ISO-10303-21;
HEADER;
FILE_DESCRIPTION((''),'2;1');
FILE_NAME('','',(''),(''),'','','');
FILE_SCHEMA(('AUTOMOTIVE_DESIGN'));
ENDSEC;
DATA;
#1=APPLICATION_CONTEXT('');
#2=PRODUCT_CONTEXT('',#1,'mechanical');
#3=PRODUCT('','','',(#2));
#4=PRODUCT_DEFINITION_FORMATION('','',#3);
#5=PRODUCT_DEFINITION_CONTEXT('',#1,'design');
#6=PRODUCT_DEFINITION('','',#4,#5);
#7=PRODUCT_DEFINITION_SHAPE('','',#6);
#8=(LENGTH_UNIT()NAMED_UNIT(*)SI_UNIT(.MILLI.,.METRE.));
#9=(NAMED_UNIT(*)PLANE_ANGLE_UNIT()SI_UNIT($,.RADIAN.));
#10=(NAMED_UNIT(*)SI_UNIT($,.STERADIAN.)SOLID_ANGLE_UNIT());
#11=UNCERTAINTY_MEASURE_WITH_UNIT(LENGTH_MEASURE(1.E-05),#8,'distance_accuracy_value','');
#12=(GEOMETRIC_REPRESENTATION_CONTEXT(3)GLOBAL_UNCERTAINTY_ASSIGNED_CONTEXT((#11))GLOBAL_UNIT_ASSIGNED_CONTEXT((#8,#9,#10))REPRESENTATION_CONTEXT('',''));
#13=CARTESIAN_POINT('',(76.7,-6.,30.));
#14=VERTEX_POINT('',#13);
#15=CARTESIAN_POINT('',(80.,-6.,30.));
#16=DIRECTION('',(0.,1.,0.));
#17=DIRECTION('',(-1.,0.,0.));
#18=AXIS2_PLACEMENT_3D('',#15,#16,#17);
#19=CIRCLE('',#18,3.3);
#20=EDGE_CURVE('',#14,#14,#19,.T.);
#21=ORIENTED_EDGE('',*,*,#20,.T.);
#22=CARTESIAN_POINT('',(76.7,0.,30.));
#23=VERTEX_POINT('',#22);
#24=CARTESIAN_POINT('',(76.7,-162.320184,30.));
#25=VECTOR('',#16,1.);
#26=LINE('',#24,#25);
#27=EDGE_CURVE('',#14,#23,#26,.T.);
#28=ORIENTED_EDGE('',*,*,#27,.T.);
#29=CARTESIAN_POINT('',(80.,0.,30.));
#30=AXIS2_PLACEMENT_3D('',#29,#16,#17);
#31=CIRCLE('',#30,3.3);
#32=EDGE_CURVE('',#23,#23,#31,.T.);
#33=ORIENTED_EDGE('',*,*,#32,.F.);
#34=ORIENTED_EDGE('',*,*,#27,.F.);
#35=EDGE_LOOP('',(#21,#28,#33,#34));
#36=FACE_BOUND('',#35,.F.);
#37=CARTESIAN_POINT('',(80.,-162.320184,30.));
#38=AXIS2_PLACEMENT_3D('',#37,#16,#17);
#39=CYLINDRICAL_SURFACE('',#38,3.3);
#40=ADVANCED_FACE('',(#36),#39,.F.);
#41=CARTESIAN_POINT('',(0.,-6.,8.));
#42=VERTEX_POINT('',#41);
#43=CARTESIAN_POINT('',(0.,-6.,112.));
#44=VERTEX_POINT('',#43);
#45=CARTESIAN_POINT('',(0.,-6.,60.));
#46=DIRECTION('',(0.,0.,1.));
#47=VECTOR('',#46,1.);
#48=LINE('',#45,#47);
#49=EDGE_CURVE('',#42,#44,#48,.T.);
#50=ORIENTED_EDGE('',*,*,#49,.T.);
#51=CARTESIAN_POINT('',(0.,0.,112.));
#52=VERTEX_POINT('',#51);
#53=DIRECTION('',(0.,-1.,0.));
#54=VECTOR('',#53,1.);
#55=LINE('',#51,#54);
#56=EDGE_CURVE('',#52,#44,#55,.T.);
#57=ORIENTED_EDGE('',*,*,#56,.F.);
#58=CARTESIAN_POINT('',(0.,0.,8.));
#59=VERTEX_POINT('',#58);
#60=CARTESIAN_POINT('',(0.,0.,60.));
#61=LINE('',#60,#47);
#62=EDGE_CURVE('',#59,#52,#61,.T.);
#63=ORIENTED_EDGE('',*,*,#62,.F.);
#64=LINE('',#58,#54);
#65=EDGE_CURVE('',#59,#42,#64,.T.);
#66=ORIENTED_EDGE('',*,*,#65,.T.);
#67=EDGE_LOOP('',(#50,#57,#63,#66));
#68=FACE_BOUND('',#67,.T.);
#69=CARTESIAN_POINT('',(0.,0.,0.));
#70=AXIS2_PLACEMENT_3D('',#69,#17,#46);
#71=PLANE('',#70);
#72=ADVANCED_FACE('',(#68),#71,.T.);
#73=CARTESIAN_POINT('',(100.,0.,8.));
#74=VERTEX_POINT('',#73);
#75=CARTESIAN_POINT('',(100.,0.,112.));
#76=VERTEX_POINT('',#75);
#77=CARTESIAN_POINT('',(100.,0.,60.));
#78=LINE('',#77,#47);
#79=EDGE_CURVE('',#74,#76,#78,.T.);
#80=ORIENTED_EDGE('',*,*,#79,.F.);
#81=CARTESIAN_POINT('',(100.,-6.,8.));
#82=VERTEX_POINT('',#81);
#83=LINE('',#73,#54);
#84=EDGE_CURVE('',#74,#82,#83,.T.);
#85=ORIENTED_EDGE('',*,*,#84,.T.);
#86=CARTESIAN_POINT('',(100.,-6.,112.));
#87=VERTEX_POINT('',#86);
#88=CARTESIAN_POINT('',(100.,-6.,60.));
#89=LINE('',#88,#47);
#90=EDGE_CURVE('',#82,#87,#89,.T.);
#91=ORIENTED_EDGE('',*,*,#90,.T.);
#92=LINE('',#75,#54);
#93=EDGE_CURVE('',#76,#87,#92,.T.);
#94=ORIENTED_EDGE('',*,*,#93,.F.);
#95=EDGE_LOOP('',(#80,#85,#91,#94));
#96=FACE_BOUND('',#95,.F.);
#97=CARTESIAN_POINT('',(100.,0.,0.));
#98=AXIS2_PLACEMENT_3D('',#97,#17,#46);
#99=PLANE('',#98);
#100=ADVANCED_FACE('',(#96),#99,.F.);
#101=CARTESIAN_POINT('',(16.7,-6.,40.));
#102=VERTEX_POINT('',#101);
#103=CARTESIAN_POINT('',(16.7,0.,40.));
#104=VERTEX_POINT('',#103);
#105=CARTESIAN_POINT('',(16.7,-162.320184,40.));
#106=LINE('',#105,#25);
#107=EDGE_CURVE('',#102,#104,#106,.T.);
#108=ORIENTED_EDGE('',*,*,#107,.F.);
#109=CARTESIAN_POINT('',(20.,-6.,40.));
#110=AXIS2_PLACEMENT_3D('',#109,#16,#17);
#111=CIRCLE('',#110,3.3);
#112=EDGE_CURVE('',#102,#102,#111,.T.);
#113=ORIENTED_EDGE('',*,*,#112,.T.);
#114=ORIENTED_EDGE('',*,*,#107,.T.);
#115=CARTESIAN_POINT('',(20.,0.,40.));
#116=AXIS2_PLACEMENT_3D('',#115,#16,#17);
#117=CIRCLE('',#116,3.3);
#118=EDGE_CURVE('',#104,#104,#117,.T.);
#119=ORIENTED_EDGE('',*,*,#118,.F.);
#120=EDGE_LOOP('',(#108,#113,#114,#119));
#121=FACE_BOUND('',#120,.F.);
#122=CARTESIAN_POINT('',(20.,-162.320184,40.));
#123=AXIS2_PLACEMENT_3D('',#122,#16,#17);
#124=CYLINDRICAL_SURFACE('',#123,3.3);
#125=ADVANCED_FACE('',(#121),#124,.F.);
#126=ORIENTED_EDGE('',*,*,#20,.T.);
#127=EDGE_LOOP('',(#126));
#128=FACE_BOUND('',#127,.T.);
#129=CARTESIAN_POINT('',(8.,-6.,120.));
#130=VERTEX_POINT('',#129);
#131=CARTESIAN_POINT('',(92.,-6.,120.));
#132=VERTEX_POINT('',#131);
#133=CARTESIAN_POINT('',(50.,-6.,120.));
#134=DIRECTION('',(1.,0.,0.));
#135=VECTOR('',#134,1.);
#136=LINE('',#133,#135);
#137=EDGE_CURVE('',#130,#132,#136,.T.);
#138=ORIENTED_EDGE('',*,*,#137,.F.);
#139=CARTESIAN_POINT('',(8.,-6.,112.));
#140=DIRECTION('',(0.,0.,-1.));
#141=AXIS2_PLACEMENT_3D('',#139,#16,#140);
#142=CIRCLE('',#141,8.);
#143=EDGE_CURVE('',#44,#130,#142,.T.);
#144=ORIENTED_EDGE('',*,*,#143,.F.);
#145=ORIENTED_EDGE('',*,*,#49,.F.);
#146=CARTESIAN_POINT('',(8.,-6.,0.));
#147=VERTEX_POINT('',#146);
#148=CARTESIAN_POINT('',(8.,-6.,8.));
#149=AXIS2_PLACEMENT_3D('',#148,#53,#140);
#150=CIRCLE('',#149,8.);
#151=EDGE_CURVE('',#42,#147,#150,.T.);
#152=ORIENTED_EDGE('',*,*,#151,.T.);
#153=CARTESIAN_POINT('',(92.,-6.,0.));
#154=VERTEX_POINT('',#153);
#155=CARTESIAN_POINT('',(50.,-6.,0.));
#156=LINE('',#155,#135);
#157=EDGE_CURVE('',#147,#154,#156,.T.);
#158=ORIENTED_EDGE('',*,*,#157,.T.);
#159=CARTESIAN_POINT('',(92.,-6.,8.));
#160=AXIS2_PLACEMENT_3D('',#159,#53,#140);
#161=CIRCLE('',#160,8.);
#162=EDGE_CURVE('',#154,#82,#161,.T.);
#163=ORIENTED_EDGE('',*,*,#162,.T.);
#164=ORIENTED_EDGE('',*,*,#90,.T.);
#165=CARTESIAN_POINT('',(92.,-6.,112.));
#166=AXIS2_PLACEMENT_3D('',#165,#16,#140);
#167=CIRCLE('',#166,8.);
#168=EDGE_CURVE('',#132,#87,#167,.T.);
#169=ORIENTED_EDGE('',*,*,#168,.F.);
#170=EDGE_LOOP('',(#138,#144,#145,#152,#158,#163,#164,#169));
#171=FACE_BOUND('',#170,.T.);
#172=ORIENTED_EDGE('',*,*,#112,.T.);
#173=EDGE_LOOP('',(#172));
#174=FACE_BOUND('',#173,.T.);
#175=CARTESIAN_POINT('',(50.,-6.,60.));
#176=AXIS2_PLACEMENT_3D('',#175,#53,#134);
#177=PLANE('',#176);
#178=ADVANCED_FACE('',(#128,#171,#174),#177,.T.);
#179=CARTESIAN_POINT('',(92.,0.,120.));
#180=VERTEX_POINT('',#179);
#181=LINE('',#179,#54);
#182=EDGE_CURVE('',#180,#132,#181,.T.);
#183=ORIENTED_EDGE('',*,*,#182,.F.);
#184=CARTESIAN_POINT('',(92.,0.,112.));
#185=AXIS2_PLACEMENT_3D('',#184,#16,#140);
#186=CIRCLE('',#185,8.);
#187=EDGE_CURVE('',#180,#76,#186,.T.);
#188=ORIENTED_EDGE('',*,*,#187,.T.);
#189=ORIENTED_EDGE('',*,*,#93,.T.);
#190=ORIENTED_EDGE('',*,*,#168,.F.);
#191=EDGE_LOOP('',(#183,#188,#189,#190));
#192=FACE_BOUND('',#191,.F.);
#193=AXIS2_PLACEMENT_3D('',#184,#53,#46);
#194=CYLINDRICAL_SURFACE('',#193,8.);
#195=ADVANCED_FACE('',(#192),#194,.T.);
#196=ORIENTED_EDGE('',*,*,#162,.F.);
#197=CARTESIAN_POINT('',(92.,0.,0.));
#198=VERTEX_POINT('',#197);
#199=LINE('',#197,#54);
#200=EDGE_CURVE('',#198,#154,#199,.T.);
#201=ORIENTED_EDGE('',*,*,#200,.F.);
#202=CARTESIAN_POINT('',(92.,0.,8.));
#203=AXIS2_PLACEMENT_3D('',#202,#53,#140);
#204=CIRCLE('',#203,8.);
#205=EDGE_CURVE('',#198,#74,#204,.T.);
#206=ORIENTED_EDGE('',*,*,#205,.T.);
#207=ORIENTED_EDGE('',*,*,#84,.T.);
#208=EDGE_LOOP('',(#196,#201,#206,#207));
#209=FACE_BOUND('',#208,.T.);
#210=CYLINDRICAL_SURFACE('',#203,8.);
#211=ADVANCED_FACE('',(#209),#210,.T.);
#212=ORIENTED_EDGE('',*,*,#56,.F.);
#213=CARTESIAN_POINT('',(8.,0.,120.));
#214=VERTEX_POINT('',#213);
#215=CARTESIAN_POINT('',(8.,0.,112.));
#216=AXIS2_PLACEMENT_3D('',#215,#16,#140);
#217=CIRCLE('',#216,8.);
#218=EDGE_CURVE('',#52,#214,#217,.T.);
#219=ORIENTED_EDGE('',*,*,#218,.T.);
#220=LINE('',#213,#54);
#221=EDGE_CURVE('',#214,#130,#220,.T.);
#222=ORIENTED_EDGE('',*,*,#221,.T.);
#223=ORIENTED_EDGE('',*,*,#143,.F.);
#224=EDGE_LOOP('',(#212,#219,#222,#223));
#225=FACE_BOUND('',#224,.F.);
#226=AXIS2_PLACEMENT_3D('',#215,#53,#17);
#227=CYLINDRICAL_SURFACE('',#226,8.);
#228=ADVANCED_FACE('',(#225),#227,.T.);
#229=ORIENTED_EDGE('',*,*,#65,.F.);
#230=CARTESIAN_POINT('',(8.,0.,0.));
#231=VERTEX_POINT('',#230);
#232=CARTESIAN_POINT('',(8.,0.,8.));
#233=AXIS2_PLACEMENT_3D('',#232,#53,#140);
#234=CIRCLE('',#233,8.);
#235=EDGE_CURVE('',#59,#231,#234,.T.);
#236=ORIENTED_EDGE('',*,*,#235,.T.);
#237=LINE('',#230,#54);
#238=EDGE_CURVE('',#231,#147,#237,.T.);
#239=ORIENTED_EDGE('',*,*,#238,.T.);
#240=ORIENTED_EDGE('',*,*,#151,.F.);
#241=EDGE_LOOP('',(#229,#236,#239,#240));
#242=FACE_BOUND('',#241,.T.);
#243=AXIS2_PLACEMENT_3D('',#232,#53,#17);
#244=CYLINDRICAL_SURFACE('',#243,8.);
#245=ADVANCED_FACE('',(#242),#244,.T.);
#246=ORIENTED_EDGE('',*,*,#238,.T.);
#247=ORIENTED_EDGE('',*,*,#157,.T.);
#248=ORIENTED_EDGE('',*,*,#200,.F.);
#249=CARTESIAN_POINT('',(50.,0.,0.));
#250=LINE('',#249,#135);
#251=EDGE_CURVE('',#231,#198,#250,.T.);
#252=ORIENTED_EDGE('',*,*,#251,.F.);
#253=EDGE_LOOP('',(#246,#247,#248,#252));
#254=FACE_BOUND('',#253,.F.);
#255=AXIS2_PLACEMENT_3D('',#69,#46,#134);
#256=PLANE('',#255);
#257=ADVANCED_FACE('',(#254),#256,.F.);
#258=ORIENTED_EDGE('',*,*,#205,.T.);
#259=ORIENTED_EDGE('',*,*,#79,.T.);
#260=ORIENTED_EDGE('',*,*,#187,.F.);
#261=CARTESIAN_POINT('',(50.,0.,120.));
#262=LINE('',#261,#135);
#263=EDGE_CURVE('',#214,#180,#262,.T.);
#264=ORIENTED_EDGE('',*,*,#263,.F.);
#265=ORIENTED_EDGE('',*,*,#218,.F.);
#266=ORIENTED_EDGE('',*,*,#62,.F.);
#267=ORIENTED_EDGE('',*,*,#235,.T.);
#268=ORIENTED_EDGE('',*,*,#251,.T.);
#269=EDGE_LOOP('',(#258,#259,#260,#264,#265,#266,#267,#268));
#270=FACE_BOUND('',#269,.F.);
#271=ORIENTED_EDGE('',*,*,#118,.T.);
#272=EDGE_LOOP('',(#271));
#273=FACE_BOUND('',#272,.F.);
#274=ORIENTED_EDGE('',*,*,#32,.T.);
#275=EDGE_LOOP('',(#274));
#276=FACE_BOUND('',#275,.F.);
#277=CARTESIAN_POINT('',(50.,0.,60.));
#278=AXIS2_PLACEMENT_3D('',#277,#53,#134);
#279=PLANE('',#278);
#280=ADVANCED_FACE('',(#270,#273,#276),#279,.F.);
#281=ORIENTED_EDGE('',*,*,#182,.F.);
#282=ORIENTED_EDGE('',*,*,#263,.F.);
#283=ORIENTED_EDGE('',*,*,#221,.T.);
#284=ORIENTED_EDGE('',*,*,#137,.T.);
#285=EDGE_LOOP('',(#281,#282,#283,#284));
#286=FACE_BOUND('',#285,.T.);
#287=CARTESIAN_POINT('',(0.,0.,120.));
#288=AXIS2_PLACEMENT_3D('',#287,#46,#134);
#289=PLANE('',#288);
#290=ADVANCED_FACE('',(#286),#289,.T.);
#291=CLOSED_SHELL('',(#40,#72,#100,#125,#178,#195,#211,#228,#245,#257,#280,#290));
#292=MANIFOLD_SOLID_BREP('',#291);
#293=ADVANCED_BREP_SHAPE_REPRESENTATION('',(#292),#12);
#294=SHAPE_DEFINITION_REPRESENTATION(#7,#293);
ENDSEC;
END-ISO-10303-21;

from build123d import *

# Parameters (mm, degrees)
F0_W     = 100
F0_H     = 120
F1_DEPTH = 6
F3_D     = 6.6
F4_R     = 8


with BuildPart() as f1:
    # F0 (on Front) → F1 (new body)
    with BuildSketch(Plane.XZ):
        with Locations((50, 60)):
            Rectangle(F0_W, F0_H)
    extrude(amount=F1_DEPTH)

    # F3 (through all)
    with Locations(Plane.XZ.offset(6)):
        with Locations((80, 30), (20, 40)):
            Hole(F3_D / 2)

    # F4
    f4_edges = [f1.edges().sort_by_distance(p)[0] for p in [
        (100, -3, 120),
        (100, -3, 0),
        (0, -3, 0),
        (0, -3, 120),
    ]]
    fillet(f4_edges, radius=F4_R)


solid = f1.part
